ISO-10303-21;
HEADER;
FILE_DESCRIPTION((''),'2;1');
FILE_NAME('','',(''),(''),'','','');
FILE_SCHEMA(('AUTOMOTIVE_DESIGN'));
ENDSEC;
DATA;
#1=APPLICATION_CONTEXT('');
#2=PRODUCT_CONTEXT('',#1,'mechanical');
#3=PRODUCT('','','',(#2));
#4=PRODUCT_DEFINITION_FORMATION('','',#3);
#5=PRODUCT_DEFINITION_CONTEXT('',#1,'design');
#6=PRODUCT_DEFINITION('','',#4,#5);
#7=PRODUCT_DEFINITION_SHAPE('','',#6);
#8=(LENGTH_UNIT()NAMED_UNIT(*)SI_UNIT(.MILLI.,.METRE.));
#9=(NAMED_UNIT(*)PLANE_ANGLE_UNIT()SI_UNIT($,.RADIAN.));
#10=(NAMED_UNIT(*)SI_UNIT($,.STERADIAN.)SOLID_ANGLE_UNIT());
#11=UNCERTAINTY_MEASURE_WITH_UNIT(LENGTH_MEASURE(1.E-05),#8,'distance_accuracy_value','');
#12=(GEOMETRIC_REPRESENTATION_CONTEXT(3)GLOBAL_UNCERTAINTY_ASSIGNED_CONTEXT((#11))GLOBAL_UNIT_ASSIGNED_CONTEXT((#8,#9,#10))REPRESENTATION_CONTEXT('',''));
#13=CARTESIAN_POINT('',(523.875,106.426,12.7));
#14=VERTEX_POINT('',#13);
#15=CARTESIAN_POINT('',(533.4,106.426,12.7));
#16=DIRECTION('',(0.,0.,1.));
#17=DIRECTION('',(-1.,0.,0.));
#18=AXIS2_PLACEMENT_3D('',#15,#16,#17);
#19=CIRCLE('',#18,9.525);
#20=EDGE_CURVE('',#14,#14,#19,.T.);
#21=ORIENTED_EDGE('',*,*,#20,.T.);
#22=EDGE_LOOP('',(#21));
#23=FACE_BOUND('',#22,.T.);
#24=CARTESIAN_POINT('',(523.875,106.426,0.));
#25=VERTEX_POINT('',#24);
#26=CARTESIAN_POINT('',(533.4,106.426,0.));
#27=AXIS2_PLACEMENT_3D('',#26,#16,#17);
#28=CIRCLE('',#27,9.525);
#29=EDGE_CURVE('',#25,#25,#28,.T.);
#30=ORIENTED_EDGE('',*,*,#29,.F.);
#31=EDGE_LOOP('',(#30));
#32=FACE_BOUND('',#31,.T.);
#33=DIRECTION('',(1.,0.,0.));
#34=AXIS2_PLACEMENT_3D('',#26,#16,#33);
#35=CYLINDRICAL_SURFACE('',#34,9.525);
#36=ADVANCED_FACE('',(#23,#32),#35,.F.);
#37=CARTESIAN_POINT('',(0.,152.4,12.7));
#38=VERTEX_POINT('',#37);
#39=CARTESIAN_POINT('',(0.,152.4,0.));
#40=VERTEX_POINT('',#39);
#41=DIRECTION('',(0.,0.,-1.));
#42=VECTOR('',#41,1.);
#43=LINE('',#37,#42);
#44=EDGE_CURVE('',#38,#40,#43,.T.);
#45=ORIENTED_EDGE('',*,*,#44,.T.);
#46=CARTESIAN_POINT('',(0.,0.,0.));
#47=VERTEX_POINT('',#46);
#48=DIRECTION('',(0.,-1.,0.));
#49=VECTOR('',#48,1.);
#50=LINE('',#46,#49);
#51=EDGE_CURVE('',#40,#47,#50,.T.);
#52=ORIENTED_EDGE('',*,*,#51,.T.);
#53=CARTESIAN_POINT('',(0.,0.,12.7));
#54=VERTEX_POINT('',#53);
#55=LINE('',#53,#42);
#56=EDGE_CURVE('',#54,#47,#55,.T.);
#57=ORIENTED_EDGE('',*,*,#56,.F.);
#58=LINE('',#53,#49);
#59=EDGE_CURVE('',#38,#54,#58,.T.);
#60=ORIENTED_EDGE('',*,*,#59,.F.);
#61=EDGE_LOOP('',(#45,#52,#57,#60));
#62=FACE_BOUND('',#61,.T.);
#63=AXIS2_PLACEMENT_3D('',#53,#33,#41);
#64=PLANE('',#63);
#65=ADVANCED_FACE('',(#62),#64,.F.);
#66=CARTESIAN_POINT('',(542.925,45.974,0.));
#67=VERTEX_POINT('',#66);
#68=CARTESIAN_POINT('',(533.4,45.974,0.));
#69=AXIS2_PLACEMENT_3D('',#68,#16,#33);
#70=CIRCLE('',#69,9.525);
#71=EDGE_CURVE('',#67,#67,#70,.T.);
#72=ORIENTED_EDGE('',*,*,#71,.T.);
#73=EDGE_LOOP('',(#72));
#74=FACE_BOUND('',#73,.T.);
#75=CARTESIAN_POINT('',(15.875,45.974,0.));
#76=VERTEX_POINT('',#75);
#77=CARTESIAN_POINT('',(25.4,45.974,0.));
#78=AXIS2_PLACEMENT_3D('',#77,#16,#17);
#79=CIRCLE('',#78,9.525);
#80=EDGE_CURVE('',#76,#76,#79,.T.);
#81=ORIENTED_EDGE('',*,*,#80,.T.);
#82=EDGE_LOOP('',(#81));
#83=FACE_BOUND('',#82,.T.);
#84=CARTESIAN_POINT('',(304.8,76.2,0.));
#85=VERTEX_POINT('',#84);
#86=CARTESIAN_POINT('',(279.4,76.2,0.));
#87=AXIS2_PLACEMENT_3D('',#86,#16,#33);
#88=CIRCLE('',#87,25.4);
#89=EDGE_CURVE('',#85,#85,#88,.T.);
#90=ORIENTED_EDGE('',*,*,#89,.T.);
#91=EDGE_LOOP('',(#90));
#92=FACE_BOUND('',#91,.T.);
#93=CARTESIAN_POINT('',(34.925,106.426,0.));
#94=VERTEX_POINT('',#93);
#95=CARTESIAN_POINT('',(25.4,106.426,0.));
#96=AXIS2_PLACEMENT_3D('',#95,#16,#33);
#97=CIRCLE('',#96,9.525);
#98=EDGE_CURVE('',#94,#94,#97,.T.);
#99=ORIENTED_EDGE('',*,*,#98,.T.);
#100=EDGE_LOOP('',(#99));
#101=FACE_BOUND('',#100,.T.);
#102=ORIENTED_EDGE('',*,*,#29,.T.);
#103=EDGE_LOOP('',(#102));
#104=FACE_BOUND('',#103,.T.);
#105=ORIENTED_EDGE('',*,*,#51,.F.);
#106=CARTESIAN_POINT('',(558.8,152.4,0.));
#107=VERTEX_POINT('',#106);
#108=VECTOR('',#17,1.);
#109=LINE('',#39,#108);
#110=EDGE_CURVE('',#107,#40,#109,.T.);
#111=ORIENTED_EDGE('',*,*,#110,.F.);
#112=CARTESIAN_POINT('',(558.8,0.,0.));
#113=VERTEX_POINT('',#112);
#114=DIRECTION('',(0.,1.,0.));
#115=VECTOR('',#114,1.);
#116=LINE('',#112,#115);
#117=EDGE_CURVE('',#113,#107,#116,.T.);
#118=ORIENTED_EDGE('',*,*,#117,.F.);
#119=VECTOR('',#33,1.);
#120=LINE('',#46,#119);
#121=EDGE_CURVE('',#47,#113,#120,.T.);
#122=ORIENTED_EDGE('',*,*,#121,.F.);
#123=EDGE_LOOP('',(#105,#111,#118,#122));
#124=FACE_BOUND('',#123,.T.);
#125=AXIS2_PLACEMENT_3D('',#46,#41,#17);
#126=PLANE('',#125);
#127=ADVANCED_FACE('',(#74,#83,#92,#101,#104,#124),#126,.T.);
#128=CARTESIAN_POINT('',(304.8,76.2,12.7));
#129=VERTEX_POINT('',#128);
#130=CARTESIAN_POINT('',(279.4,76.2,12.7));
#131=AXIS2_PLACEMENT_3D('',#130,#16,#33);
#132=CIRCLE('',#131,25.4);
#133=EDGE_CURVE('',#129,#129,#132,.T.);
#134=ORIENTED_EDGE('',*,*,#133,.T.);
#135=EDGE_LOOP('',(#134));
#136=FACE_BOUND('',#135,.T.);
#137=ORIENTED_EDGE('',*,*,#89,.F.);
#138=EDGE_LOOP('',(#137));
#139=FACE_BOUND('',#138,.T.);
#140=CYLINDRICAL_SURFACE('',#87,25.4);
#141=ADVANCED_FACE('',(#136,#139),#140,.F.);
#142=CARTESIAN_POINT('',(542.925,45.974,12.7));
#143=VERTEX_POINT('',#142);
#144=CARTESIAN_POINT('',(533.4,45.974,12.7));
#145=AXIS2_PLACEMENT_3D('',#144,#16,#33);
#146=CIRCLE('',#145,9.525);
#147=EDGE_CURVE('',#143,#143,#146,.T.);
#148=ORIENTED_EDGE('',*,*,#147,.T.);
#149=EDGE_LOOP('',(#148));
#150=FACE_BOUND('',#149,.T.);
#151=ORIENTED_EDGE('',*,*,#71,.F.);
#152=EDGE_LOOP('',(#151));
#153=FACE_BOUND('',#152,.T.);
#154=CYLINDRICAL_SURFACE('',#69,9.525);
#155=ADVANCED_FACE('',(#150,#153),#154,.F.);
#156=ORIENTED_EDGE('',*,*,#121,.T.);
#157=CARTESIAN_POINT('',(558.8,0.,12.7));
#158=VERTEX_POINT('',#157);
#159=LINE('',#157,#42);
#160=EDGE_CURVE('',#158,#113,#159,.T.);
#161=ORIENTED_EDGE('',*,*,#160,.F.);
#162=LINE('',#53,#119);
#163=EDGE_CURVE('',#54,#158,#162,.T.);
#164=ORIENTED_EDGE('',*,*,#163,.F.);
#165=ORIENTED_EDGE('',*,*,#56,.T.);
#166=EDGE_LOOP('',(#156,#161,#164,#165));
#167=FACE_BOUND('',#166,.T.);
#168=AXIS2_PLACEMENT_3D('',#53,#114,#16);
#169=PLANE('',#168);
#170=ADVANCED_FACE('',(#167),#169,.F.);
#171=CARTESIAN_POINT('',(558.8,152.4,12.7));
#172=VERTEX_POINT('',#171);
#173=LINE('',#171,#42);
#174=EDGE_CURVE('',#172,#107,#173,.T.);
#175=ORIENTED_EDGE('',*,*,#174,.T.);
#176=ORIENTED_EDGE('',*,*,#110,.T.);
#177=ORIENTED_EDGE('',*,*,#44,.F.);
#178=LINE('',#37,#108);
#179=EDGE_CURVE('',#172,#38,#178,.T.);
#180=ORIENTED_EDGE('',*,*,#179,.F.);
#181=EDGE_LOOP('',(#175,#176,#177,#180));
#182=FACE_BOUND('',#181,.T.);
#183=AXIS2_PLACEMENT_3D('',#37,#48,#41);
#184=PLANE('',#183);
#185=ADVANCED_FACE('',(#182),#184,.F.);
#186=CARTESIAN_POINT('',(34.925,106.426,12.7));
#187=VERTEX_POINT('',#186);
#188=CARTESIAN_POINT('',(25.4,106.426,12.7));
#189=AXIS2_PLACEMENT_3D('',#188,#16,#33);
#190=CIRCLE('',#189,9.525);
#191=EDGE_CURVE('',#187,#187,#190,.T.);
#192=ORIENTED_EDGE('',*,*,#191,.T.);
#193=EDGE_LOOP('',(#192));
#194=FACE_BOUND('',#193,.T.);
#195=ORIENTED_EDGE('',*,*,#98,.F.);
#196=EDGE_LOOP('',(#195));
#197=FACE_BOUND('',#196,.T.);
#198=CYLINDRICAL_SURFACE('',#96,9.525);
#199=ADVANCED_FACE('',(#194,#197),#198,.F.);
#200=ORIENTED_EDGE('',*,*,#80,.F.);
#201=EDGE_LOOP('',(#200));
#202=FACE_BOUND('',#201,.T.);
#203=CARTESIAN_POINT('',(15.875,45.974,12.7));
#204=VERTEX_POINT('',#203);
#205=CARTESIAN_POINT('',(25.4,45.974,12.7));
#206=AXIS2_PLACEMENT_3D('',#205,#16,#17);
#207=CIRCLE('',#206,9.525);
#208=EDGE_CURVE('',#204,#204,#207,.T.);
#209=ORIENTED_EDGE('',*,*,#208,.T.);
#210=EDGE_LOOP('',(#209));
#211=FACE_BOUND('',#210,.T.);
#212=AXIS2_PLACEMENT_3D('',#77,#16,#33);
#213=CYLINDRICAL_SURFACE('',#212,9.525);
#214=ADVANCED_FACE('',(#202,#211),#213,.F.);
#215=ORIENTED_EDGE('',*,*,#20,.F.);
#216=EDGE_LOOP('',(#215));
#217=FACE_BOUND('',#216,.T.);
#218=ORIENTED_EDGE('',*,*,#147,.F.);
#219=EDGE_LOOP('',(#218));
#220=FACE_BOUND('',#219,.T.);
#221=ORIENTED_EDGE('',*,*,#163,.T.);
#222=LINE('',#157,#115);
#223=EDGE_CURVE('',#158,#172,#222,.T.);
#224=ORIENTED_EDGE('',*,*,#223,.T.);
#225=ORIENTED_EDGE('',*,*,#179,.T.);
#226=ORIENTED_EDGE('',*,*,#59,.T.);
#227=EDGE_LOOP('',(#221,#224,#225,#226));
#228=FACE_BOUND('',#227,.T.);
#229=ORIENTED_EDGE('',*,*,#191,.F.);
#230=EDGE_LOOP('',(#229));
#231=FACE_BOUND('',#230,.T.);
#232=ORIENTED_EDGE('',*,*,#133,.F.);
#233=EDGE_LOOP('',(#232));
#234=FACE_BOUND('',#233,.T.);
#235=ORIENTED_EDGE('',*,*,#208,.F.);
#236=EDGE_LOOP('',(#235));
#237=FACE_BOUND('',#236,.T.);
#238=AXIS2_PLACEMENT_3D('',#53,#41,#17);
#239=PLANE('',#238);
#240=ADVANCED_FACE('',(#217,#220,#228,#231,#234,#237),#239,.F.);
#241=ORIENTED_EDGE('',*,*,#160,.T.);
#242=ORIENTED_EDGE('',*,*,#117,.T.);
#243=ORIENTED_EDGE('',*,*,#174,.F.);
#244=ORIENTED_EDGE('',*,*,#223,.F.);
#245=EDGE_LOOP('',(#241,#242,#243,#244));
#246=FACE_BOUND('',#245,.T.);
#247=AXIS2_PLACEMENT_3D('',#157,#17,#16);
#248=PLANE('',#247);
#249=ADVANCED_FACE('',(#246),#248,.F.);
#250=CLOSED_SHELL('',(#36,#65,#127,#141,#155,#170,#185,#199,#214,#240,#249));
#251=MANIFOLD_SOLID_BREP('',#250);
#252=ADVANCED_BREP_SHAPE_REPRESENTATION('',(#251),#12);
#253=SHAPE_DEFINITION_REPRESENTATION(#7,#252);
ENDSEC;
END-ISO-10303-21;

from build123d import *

# Parameters (mm, degrees)
SKETCH1_W           = 558.8
SKETCH1_H           = 152.4
BOSS_EXTRUDE1_DEPTH = 12.7
SKETCH2_R           = 9.525
SKETCH2_R_2         = 25.4
CUT_EXTRUDE1_DEPTH  = 13.7


with BuildPart() as part:
    # Sketch1 → Boss-Extrude1 (new body)
    with BuildSketch(Plane.XY):
        with Locations((279.4, 76.2)):
            Rectangle(SKETCH1_W, SKETCH1_H)
    extrude(amount=BOSS_EXTRUDE1_DEPTH)

    # Sketch2 → Cut-Extrude1 (cut, through all)
    with BuildSketch(Plane.XY.offset(12.7)):
        with Locations((533.4, 45.974)):
            Circle(SKETCH2_R)
        with Locations((533.4, 106.426)):
            Circle(SKETCH2_R)
        with Locations((25.4, 45.974)):
            Circle(SKETCH2_R)
        with Locations((25.4, 106.426)):
            Circle(SKETCH2_R)
        with Locations((279.4, 76.2)):
            Circle(SKETCH2_R_2)
    extrude(amount=-CUT_EXTRUDE1_DEPTH, mode=Mode.SUBTRACT)


solid = part.part
